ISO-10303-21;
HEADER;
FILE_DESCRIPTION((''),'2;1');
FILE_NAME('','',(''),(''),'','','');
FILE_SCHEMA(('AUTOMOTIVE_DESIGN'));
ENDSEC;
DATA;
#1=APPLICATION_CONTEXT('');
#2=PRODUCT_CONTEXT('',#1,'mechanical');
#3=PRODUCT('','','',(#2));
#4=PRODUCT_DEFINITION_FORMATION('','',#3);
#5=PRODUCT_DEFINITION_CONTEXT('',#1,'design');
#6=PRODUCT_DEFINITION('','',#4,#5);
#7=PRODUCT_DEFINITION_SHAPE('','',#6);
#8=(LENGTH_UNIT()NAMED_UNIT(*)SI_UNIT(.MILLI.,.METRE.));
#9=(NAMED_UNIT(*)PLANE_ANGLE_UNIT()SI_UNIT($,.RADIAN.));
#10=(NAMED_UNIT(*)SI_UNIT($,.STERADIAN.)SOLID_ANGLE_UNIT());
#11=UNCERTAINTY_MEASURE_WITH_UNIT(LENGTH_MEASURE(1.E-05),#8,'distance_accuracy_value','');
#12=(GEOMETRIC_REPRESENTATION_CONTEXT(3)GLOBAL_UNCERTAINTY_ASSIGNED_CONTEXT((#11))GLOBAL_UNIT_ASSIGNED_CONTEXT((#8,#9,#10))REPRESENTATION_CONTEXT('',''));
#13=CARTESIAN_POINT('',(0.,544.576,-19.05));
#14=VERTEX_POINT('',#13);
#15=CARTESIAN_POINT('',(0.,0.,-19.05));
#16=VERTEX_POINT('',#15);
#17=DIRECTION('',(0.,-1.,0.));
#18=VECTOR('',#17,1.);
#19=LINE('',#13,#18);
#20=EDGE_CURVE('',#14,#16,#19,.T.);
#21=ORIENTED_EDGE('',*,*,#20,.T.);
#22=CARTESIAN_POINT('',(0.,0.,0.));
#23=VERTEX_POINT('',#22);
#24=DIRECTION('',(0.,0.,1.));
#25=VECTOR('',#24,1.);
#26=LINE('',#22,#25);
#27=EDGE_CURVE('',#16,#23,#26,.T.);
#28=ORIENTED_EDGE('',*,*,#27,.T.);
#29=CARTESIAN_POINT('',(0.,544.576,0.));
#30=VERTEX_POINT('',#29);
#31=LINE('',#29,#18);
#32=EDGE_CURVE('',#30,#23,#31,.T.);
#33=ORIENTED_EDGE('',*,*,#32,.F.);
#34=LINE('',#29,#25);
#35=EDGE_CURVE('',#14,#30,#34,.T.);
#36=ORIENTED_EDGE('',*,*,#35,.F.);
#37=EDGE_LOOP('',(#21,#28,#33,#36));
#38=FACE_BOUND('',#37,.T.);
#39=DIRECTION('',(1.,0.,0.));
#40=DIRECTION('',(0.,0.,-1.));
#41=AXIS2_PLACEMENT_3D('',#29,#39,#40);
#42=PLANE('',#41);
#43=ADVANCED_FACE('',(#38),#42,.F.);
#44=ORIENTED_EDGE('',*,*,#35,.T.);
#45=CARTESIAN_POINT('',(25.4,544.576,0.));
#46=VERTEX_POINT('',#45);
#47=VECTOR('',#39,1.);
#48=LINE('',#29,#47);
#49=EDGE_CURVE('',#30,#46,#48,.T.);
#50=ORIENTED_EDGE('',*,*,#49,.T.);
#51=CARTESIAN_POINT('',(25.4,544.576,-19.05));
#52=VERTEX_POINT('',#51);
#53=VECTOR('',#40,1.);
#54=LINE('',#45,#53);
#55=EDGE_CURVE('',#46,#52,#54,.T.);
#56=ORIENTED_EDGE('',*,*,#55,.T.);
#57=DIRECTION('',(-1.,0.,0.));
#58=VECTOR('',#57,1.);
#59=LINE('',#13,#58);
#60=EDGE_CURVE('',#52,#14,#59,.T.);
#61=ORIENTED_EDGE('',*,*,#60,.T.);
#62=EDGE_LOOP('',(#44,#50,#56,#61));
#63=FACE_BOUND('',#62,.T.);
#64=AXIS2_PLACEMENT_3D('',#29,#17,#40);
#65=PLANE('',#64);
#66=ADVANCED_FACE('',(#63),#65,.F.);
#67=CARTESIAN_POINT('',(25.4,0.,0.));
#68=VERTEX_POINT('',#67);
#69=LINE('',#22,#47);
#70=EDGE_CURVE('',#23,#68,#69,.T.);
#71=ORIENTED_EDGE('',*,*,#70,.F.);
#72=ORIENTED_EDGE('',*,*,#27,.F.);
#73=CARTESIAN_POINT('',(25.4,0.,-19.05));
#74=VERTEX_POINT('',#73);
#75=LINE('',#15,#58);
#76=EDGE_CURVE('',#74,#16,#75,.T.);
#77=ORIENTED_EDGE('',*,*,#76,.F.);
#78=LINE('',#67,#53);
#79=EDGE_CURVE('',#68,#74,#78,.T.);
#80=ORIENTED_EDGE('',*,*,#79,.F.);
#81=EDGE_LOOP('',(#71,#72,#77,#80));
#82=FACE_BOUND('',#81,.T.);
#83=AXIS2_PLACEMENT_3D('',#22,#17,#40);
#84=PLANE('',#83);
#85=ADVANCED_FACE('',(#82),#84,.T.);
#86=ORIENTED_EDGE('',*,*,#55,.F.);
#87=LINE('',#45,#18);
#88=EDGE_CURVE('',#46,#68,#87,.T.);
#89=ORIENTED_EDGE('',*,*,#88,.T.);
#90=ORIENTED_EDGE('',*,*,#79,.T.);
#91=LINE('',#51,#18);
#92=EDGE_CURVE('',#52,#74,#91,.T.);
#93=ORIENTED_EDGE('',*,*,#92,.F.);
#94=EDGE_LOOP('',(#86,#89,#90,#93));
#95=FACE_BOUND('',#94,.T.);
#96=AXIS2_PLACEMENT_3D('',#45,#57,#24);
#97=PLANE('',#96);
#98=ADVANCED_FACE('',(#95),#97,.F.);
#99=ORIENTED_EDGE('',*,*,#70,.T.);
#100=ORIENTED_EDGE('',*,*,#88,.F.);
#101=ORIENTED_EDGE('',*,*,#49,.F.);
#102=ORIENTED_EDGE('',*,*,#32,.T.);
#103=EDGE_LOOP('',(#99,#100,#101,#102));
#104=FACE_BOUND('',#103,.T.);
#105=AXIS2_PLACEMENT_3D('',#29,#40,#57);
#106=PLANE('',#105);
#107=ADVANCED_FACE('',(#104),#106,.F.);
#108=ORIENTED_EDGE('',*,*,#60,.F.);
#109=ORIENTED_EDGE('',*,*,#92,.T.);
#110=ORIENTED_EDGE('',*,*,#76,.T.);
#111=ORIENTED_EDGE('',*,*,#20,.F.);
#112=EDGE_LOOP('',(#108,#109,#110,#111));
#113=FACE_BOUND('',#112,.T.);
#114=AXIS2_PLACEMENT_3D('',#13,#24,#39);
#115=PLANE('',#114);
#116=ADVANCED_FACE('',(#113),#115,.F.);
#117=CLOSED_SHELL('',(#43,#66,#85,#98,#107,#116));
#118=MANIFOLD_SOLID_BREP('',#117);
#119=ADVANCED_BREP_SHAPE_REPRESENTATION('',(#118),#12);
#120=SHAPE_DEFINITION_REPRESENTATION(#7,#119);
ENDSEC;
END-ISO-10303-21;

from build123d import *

# Parameters (mm, degrees)
SKETCH1_W           = 25.4
SKETCH1_H           = 19.05
BOSS_EXTRUDE1_DEPTH = 544.576


with BuildPart() as part:
    # Sketch1 → Boss-Extrude1 (new body)
    with BuildSketch(Plane(origin=(0, 0, 0), x_dir=(1, 0, 0), z_dir=(0, 1, 0))):
        with Locations((12.7, 9.525)):
            Rectangle(SKETCH1_W, SKETCH1_H)
    extrude(amount=BOSS_EXTRUDE1_DEPTH)


solid = part.part
